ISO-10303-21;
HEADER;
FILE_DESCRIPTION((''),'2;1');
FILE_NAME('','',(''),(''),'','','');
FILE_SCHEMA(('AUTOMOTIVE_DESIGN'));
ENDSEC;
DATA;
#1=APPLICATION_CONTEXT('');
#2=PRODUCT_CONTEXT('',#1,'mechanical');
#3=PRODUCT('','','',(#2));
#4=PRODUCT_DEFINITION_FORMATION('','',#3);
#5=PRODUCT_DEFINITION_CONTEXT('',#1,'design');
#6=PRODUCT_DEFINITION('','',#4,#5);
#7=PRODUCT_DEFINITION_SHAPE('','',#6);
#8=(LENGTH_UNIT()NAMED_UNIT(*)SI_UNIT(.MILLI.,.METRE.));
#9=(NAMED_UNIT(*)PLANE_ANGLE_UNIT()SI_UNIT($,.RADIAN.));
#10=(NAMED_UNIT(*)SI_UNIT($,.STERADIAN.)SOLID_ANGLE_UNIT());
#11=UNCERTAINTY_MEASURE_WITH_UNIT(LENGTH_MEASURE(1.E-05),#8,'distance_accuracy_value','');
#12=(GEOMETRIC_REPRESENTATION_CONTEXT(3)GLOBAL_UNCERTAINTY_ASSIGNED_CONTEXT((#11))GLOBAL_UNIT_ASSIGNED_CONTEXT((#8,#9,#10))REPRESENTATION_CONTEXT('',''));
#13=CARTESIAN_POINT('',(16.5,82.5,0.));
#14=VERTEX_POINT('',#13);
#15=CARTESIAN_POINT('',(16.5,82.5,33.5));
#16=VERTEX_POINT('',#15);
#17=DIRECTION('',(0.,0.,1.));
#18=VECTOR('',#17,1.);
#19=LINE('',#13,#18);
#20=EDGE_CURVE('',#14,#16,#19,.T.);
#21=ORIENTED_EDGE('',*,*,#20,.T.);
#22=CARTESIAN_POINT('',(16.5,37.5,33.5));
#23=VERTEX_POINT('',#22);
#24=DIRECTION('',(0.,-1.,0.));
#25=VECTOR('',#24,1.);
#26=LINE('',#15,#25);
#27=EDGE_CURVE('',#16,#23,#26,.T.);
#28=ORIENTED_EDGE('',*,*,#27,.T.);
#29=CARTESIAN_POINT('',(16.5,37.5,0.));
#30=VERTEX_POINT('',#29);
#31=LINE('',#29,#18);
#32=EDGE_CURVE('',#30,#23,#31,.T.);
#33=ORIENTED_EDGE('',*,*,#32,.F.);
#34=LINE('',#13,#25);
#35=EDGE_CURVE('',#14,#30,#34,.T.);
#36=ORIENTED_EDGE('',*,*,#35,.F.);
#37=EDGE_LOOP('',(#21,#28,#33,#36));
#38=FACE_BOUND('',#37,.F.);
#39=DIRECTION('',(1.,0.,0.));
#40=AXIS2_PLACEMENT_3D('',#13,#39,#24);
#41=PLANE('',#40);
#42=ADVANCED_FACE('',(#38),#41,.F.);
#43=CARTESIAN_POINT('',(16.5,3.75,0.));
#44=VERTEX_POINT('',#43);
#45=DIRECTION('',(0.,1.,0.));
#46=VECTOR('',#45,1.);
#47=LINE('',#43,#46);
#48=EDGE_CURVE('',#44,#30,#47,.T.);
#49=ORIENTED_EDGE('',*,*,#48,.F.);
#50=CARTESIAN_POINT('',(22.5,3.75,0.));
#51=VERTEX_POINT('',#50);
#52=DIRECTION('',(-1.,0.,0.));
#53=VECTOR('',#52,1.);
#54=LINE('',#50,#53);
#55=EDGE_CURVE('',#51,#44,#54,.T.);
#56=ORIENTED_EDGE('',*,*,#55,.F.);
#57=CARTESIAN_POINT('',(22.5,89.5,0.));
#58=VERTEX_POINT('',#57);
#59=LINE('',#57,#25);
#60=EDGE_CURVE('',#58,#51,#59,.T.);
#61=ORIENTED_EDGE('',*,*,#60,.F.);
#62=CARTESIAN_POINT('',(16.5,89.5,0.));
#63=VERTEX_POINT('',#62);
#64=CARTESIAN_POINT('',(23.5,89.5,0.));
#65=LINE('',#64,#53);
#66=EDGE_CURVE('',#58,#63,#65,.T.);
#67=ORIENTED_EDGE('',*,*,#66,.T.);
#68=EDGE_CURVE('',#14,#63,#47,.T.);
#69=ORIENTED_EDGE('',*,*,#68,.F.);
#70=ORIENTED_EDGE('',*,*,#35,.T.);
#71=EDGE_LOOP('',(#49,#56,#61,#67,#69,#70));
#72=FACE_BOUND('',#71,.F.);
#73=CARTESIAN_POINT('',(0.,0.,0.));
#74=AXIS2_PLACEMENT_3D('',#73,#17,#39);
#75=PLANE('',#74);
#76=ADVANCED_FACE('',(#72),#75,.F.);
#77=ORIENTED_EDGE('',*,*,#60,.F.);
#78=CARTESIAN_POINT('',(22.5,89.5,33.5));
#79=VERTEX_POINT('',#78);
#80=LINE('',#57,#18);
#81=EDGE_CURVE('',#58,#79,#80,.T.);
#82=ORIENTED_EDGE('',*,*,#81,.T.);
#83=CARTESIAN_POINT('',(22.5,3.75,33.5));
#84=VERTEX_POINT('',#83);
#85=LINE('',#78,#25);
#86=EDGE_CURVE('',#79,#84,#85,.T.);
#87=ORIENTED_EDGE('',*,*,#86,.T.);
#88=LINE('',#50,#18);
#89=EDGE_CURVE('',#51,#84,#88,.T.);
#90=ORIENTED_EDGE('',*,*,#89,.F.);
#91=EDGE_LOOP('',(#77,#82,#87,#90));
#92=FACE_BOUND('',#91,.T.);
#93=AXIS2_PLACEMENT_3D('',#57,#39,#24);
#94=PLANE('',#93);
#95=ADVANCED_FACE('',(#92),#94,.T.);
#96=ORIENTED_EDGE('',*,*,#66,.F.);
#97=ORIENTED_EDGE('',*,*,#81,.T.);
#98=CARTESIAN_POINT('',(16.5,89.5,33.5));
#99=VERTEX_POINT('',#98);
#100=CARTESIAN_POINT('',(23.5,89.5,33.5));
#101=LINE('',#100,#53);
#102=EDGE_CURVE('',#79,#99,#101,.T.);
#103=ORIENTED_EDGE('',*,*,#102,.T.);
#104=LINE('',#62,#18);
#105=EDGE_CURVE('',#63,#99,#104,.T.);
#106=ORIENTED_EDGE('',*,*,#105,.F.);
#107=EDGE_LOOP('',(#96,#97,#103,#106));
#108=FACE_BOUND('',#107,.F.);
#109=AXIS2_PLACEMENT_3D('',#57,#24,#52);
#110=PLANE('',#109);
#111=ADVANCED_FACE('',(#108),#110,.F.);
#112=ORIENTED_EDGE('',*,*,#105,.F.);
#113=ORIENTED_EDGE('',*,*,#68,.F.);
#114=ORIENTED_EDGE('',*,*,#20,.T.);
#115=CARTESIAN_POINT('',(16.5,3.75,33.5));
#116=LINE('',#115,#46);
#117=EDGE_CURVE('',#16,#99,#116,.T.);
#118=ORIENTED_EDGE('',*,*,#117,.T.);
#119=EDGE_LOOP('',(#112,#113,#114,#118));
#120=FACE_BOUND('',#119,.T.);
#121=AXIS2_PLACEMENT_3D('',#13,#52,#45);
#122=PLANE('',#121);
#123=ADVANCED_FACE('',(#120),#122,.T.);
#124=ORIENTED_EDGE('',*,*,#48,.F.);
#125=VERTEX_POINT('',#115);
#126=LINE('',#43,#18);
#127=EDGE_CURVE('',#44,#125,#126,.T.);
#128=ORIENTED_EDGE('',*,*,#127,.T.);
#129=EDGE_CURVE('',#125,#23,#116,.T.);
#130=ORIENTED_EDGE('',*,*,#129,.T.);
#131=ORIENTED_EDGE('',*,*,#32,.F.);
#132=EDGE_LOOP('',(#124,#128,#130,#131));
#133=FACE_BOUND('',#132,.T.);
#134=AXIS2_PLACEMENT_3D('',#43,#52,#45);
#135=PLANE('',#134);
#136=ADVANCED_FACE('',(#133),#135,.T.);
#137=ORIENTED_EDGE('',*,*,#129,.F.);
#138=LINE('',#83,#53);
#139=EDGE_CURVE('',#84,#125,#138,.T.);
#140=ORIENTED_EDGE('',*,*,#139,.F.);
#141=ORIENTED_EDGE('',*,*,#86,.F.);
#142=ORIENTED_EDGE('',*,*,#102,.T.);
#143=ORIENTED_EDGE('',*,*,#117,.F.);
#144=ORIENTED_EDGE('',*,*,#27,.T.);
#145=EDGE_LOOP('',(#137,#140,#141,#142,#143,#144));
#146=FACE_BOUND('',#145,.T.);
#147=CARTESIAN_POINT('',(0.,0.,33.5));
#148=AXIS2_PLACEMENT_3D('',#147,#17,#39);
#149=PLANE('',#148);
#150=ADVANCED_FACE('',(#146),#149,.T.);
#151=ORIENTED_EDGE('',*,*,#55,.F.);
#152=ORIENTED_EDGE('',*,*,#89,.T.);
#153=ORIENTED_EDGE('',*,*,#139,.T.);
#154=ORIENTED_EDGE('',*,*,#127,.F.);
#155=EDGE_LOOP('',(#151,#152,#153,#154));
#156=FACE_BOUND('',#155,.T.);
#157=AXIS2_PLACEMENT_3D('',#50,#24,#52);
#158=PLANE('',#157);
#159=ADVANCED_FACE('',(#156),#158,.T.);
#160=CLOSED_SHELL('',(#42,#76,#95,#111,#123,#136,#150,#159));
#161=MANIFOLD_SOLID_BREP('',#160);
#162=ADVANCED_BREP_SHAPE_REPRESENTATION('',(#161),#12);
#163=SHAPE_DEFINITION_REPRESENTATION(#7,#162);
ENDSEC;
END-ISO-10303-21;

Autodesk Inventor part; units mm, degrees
ref_plane "YZ Plane" through (0, 0, 0) normal (1, 0, 0) x (0, 1, 0)
ref_plane "XZ Plane" through (0, 0, 0) normal (0, 1, 0) x (-1, 0, 0)
ref_plane "Work Plane1" through (0, 0, 0) normal (0, 0, 1) x (1, 0, 0)
sketch "Sketch1" plane through (0, 0, 0) normal (0, 0, 1) x (1, 0, 0)
  line L0 (23.5, 89.5) -> (-23.5, 89.5) projected
  line L1 (-23.5, 89.5) -> (-23.5, 37.5) projected
  arc A0 (-26.5, 34.5) -> (-23.5, 37.5) centre (-26.5, 37.5) ccw projected
  line L2 (-26.5, 34.5) -> (-89, 34.5) projected
  line L3 (-89, 34.5) -> (-89, -69.5) projected
  line L4 (-89, -69.5) -> (-77, -69.5) projected
  arc A1 (-74, -72.5) -> (-77, -69.5) centre (-77, -72.5) ccw projected
  line L5 (-74, -72.5) -> (-74, -89.5) projected
  line L6 (-74, -89.5) -> (74, -89.5) projected
  line L7 (74, -89.5) -> (74, -72.5) projected
  arc A2 (77, -69.5) -> (74, -72.5) centre (77, -72.5) ccw projected
  line L8 (77, -69.5) -> (89, -69.5) projected
  line L9 (89, -69.5) -> (89, 34.5) projected
  line L10 (89, 34.5) -> (26.5, 34.5) projected
  arc A3 (23.5, 37.5) -> (26.5, 34.5) centre (26.5, 37.5) ccw projected
  line L11 (23.5, 37.5) -> (23.5, 89.5) projected
  line L12 (-4.5, 82.5) -> (-4.5, 37.5) projected
  arc A4 (-7.5, 34.5) -> (-4.5, 37.5) centre (-7.5, 37.5) ccw projected
  line L13 (-7.5, 34.5) -> (-13.5, 34.5) projected
  arc A5 (-16.5, 37.5) -> (-13.5, 34.5) centre (-13.5, 37.5) ccw projected
  line L14 (-16.5, 37.5) -> (-16.5, 82.5) projected
  arc A6 (-13.5, 85.5) -> (-16.5, 82.5) centre (-13.5, 82.5) ccw projected
  line L15 (-13.5, 85.5) -> (-7.5, 85.5) projected
  arc A7 (-4.5, 82.5) -> (-7.5, 85.5) centre (-7.5, 82.5) ccw projected
  line L16 (16.5, 82.5) -> (16.5, 37.5) projected
  arc A8 (13.5, 34.5) -> (16.5, 37.5) centre (13.5, 37.5) ccw projected
  line L17 (13.5, 34.5) -> (7.5, 34.5) projected
  arc A9 (4.5, 37.5) -> (7.5, 34.5) centre (7.5, 37.5) ccw projected
  line L18 (4.5, 37.5) -> (4.5, 82.5) projected
  arc A10 (7.5, 85.5) -> (4.5, 82.5) centre (7.5, 82.5) ccw projected
  line L19 (7.5, 85.5) -> (13.5, 85.5) projected
  arc A11 (16.5, 82.5) -> (13.5, 85.5) centre (13.5, 82.5) ccw projected
  line L20 (16.5, 89.5) -> (22.5, 89.5)
  line L21 (22.5, 89.5) -> (22.5, 3.75)
  line L22 (22.5, 3.75) -> (16.5, 3.75)
  line L23 (16.5, 3.75) -> (16.5, 89.5)
  line L24 (59.9, 4.75) -> (32.2, 4.75)
  point P0 (0, 0)
  dimension "d0" = 1
  dimension "d1" = 1
ref_plane "Work Plane2" through (-89, -40.3889, 33.5) normal (0, 0, 1) x (1, 0, 0)
extrude "Extrusion1" add sketch "Sketch1" along normal up to surface (33.5 mm away) contours L21 L22 L23 L16 L0
properties part number "left_gear_holder"
